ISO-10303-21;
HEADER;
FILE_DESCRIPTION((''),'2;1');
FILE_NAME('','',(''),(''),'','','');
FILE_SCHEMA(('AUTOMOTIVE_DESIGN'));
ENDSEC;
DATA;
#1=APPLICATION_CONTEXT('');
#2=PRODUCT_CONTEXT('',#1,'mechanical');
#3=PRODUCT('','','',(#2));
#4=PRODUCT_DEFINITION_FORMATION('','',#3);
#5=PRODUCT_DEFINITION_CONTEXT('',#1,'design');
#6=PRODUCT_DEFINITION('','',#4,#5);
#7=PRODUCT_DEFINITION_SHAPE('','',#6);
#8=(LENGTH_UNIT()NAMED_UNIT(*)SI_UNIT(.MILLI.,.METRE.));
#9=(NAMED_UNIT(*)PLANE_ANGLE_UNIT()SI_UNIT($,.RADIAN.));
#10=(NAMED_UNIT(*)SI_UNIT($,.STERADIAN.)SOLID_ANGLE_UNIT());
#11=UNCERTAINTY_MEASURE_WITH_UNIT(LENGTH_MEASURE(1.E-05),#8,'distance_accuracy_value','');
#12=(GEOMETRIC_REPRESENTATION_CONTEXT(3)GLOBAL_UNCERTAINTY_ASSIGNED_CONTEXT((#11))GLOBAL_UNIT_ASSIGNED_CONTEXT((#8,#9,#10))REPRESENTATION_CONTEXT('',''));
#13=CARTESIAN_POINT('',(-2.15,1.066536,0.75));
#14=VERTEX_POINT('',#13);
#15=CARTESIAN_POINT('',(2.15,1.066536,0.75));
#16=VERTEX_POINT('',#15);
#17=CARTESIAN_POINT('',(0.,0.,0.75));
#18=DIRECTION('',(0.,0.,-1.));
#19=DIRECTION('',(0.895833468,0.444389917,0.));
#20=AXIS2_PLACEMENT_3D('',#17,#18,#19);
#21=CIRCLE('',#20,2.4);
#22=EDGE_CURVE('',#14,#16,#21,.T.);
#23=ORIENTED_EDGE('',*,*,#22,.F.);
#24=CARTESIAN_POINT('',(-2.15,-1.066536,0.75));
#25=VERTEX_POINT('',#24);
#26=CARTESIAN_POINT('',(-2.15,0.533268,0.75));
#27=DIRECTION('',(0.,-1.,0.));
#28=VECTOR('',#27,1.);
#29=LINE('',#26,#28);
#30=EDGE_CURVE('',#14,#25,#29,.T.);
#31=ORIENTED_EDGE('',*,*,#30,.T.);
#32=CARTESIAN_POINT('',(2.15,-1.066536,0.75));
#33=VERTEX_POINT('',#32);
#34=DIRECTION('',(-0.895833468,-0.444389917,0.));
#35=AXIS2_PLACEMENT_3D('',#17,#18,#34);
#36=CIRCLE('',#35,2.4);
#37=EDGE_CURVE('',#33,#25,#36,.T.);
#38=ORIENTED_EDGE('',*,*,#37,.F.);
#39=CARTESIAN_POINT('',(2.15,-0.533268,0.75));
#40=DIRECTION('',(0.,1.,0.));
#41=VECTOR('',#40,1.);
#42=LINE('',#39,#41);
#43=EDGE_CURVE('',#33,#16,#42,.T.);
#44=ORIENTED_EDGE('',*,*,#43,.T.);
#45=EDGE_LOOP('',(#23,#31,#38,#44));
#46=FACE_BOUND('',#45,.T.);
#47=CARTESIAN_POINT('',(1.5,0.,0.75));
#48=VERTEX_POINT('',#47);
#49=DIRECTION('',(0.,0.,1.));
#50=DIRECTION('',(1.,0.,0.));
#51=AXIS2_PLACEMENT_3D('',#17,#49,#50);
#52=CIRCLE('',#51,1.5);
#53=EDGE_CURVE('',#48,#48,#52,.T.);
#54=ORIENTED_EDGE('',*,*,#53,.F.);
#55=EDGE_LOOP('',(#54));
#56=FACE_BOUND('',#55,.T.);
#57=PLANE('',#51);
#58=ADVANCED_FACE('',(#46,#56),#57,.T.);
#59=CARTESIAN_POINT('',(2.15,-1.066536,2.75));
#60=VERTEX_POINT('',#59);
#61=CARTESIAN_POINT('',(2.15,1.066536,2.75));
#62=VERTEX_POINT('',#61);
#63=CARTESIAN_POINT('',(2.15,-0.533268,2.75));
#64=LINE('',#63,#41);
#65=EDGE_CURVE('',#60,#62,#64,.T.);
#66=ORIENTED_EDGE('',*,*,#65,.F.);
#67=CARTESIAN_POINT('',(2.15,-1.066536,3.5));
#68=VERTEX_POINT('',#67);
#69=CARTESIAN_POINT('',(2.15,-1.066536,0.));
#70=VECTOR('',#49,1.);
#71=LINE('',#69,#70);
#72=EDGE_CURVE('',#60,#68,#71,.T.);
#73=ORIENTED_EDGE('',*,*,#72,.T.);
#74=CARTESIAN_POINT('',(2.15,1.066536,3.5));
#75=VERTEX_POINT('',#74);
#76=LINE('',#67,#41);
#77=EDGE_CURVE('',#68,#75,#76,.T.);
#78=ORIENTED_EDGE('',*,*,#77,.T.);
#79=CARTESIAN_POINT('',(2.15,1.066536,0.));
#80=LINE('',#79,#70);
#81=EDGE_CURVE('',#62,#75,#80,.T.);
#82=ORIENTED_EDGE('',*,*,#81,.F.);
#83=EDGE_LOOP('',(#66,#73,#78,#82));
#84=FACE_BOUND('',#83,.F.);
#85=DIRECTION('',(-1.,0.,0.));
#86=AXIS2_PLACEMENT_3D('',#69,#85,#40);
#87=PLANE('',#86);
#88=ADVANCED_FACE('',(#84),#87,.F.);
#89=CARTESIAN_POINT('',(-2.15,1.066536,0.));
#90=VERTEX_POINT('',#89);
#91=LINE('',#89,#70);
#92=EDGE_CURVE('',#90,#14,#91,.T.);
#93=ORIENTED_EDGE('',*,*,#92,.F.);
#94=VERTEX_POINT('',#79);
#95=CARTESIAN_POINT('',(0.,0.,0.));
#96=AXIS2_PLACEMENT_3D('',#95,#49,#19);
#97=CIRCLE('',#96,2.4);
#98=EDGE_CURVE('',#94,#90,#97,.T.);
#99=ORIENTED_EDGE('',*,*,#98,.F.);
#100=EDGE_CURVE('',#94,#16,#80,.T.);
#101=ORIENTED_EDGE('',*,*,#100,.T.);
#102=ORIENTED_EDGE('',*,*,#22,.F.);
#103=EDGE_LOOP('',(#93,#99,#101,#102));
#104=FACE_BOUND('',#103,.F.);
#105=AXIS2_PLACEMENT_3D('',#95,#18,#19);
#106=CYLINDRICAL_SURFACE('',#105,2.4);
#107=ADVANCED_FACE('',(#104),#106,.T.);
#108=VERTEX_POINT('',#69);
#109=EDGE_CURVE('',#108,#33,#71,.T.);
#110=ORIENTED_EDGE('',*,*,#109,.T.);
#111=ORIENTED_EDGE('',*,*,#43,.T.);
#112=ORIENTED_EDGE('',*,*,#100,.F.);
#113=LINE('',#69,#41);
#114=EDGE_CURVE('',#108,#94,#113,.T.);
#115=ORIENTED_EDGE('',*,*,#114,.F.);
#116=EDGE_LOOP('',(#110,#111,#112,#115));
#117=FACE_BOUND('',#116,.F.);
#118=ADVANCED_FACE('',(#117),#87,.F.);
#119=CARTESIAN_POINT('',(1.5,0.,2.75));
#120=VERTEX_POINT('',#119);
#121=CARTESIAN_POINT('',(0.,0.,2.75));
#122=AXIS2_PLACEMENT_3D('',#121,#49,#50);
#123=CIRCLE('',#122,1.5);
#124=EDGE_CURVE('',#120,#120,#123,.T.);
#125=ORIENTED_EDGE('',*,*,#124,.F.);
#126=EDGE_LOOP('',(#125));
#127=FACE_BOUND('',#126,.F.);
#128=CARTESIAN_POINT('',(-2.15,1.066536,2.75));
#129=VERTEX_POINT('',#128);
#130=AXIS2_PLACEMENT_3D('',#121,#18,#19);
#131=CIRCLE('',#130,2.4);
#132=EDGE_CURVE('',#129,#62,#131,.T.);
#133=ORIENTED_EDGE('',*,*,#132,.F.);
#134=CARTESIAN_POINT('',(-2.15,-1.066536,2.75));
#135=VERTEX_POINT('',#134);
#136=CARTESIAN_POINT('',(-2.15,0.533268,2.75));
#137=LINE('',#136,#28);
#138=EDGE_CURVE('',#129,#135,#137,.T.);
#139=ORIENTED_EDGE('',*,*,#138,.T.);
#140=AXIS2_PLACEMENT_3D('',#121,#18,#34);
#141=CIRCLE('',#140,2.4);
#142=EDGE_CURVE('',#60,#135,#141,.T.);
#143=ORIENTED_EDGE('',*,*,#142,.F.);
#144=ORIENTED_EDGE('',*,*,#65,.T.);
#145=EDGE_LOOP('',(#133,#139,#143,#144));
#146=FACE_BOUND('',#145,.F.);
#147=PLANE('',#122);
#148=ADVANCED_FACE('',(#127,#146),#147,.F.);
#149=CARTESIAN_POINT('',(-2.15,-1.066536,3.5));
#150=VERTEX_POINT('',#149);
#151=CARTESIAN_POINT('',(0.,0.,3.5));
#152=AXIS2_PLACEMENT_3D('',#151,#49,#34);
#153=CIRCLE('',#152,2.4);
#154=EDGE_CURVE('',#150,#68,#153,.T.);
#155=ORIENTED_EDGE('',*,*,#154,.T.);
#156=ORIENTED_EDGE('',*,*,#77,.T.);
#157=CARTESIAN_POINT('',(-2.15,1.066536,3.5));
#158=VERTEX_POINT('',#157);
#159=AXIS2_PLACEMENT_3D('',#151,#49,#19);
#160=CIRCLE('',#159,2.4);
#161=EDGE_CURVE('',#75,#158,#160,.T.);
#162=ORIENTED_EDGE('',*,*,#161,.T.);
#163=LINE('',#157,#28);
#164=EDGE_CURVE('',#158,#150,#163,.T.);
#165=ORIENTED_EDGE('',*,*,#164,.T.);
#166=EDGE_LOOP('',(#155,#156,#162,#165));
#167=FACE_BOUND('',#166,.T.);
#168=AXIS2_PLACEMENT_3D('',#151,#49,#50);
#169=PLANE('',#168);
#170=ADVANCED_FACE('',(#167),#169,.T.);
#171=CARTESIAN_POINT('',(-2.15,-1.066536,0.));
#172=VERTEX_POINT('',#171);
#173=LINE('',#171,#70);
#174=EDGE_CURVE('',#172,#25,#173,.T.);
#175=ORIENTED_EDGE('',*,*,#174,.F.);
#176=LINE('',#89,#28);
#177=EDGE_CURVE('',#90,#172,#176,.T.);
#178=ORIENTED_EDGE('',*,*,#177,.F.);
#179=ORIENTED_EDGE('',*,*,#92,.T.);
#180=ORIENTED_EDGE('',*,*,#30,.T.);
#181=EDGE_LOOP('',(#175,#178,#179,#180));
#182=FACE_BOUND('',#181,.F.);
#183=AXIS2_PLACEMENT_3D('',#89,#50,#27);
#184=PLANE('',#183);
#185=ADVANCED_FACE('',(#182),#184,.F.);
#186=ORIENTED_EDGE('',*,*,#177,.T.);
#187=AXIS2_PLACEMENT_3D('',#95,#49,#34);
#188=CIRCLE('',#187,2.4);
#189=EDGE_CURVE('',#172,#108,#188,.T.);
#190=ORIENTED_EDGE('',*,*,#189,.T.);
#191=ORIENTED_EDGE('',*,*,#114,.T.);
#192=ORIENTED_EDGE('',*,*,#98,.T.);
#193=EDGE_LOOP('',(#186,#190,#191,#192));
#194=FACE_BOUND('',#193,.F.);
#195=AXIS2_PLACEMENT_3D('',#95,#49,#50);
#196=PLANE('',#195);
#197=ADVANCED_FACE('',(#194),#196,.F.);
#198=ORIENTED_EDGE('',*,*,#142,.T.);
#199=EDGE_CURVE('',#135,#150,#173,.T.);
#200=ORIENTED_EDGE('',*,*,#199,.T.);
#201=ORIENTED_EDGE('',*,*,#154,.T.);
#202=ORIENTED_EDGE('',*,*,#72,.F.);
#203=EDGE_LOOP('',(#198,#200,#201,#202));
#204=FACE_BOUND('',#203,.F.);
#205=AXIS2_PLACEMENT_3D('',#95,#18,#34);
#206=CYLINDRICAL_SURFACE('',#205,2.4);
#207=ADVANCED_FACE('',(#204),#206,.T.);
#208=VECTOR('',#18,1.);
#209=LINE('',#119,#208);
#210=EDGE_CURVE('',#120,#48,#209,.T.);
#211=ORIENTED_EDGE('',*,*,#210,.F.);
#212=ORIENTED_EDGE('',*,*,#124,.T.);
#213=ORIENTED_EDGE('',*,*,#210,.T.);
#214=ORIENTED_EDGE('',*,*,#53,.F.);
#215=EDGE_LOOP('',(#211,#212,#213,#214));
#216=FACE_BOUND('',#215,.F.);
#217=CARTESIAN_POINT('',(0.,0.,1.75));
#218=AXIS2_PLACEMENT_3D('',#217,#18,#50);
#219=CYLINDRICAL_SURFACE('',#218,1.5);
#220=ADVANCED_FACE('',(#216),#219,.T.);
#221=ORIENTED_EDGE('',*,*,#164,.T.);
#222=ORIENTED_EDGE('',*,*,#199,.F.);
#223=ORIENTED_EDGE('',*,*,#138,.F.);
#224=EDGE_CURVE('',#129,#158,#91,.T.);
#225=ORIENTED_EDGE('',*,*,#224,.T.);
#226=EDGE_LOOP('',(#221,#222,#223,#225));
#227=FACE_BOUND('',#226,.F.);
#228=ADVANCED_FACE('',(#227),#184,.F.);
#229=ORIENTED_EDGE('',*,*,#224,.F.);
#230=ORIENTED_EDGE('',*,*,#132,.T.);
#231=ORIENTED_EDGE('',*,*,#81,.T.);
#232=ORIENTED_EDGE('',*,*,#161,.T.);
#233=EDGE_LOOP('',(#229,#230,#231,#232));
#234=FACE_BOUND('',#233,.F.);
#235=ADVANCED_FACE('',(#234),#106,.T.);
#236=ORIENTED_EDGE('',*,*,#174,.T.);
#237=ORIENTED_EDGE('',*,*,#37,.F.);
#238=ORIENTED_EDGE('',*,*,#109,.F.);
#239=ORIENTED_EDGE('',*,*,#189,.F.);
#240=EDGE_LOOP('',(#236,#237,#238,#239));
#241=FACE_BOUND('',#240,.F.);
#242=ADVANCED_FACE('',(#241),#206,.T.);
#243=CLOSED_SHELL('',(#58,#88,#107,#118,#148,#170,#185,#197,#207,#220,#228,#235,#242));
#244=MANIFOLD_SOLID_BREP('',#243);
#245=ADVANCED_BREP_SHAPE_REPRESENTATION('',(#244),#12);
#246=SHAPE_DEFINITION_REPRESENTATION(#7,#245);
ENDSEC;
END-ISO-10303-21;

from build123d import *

# Parameters (mm, degrees)
PAD_DEPTH     = 3.5
SKETCH001_R   = 2.75
SKETCH001_R_2 = 1.5
POCKET_DEPTH  = 1


with BuildPart() as part:
    # Sketch → Pad (new body)
    with BuildSketch(Plane.XY):
        with BuildLine():
            ThreePointArc((2.15, 1.066536), (0, 2.4), (-2.15, 1.066536))
            Line((-2.15, 1.066536), (-2.15, -1.066536))
            ThreePointArc((-2.15, -1.066536), (0, -2.4), (2.15, -1.066536))
            Line((2.15, -1.066536), (2.15, 1.066536))
        make_face()
    extrude(amount=PAD_DEPTH)

    # Sketch001 (on DatumPlane) → Pocket (cut, symmetric)
    with BuildSketch(Plane.XY.offset(1.75)):
        Circle(SKETCH001_R)
        Circle(SKETCH001_R_2, mode=Mode.SUBTRACT)
    extrude(amount=POCKET_DEPTH, both=True, mode=Mode.SUBTRACT)


solid = part.part
